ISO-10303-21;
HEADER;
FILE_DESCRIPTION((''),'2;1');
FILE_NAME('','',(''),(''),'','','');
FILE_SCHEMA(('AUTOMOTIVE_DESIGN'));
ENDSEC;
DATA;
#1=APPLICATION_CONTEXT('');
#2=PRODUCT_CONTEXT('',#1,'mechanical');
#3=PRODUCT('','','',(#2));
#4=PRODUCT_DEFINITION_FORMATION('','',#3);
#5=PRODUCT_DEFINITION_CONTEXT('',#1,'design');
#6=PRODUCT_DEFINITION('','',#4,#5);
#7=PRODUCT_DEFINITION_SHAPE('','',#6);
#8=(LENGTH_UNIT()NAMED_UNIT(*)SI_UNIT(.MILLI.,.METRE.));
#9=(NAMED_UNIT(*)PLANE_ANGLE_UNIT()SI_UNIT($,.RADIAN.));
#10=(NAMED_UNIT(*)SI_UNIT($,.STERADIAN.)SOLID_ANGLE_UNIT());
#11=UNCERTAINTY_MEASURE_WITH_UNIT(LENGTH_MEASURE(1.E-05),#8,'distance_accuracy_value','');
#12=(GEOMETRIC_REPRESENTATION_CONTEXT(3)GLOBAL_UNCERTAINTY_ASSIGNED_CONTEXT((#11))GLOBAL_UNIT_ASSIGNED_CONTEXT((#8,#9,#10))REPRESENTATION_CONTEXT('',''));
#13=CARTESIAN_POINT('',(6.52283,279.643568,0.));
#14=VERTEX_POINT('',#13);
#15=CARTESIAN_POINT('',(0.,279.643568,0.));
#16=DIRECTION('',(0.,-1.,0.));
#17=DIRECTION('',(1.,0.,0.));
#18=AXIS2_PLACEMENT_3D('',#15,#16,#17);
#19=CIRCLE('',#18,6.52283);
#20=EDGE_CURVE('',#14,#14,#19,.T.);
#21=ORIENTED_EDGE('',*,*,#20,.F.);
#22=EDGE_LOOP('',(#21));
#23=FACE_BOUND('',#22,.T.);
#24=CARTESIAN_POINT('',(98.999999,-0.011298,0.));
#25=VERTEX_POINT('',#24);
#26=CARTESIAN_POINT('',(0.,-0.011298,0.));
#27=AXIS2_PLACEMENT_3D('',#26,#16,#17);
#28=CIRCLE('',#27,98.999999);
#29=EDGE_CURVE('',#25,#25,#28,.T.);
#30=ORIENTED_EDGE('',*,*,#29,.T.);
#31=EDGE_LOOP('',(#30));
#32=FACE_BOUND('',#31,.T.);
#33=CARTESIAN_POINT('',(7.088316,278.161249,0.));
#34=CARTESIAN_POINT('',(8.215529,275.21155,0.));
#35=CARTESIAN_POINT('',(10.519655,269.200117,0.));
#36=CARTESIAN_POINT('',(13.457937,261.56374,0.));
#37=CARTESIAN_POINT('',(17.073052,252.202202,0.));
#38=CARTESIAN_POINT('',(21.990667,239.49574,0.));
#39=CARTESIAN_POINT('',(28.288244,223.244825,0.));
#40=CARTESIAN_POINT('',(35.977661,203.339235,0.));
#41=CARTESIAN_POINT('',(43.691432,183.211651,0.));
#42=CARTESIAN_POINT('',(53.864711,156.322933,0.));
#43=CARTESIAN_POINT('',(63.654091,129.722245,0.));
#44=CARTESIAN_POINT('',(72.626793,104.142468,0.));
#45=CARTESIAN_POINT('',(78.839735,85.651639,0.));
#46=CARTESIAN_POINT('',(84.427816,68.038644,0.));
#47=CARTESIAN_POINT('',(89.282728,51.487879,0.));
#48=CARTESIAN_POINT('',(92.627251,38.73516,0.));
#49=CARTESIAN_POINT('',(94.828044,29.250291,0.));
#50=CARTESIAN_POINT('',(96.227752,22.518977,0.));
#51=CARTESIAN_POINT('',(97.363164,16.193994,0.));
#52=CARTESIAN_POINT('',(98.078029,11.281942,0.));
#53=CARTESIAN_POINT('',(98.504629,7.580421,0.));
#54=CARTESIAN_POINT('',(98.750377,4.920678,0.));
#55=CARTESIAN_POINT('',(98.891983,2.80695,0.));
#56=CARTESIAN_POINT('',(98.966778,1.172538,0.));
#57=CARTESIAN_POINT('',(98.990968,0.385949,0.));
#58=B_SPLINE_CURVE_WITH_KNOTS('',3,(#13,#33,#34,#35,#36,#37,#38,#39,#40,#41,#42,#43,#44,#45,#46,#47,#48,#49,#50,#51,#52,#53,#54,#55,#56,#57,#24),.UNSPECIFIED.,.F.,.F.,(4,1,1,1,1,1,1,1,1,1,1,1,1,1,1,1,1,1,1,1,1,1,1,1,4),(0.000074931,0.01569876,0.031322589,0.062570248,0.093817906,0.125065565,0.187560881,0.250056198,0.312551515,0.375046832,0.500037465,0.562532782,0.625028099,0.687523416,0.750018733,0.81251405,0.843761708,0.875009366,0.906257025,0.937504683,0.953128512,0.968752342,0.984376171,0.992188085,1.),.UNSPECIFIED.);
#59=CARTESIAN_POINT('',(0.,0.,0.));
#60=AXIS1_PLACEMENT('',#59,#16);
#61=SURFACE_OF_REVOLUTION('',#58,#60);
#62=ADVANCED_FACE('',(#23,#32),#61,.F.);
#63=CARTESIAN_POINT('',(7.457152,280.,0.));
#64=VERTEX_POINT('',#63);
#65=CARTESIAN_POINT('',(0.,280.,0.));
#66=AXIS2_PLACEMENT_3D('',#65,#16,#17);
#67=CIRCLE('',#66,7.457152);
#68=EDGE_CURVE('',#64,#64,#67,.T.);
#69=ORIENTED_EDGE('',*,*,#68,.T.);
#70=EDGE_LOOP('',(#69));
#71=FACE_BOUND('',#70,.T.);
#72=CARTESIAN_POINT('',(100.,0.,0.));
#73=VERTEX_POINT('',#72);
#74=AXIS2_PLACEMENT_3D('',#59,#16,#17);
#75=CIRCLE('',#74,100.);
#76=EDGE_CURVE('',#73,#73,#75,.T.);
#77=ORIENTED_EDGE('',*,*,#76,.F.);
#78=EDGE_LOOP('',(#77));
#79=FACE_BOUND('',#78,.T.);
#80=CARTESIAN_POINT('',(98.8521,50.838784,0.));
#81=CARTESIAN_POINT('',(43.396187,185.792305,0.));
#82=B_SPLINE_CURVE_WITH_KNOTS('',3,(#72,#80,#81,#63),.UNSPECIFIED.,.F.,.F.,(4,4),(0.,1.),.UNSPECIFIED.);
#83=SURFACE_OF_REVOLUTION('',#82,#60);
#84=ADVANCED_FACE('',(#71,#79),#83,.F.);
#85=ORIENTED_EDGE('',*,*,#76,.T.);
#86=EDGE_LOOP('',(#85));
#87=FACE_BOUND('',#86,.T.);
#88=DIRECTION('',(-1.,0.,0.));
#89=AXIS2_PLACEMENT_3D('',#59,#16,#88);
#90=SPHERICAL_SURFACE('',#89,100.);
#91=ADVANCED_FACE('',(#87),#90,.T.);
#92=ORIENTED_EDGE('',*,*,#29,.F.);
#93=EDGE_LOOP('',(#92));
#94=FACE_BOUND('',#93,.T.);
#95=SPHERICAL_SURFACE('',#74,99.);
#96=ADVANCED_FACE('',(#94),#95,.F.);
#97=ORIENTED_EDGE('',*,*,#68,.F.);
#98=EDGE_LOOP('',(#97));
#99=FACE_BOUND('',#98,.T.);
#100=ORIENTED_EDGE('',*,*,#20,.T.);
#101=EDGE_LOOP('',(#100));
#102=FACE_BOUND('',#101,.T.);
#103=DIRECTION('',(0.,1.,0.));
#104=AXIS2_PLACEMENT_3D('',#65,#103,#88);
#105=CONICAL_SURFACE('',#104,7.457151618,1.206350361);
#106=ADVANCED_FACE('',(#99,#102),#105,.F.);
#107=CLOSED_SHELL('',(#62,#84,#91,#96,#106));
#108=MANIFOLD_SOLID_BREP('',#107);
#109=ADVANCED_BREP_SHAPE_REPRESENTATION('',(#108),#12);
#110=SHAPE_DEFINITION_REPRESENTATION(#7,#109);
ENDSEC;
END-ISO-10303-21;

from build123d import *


with BuildPart() as part:
    # Sketch1 → Revolve4 (revolve)
    with BuildSketch(Plane.XY):
        with BuildLine():
            Line((7.457151618, 280), (6.522830238, 279.643568297))
            add(Edge.make_bspline(
                [(98.999999355, -0.011298186), (98.990968468, 0.385949145), (98.966778102, 1.17253763), (98.891983411, 2.806950219), (98.750377332, 4.920678067), (98.504629159, 7.580420594), (98.07802926, 11.28194151), (97.36316351, 16.193994459), (96.227751842, 22.518976728), (94.828043778, 29.250291327), (92.62725137, 38.735159595), (89.282728263, 51.487878792), (84.427815777, 68.038643917), (78.839734984, 85.65163863), (72.626793479, 104.142468116), (63.654090885, 129.722244608), (53.864711151, 156.322933157), (43.691432055, 183.211651478), (35.977660764, 203.339235117), (28.288243733, 223.244824822), (21.990666572, 239.495740074), (17.073051869, 252.202201599), (13.45793674, 261.563740484), (10.519654584, 269.200116569), (8.21552879, 275.21155004), (7.088316346, 278.161248523), (6.522830238, 279.643568297)],
                knots=[7.4931e-05, 7.4931e-05, 7.4931e-05, 7.4931e-05, 0.007886846, 0.01569876, 0.031322589, 0.046946419, 0.062570248, 0.093817906, 0.125065565, 0.156313223, 0.187560881, 0.250056198, 0.312551515, 0.375046832, 0.437542149, 0.500037465, 0.625028099, 0.687523416, 0.750018733, 0.81251405, 0.875009366, 0.906257025, 0.937504683, 0.968752342, 0.984376171, 1, 1, 1, 1], degree=3))
            ThreePointArc((98.999999355, -0.011298186), (69.999576712, -70.007565735), (0, -99))
            Line((0, -99), (0, -100))
            ThreePointArc((0, -100), (70.710678119, -70.710678119), (100, 0))
            add(Edge.make_bspline(
                [(100, 0), (98.852099948, 50.838783961), (43.396187044, 185.792304913), (7.457151618, 280)],
                knots=[0, 0, 0, 0, 1, 1, 1, 1], degree=3))
        make_face()
    revolve(axis=Axis((0, 0, 0), (0, 1, 0)))


solid = part.part
